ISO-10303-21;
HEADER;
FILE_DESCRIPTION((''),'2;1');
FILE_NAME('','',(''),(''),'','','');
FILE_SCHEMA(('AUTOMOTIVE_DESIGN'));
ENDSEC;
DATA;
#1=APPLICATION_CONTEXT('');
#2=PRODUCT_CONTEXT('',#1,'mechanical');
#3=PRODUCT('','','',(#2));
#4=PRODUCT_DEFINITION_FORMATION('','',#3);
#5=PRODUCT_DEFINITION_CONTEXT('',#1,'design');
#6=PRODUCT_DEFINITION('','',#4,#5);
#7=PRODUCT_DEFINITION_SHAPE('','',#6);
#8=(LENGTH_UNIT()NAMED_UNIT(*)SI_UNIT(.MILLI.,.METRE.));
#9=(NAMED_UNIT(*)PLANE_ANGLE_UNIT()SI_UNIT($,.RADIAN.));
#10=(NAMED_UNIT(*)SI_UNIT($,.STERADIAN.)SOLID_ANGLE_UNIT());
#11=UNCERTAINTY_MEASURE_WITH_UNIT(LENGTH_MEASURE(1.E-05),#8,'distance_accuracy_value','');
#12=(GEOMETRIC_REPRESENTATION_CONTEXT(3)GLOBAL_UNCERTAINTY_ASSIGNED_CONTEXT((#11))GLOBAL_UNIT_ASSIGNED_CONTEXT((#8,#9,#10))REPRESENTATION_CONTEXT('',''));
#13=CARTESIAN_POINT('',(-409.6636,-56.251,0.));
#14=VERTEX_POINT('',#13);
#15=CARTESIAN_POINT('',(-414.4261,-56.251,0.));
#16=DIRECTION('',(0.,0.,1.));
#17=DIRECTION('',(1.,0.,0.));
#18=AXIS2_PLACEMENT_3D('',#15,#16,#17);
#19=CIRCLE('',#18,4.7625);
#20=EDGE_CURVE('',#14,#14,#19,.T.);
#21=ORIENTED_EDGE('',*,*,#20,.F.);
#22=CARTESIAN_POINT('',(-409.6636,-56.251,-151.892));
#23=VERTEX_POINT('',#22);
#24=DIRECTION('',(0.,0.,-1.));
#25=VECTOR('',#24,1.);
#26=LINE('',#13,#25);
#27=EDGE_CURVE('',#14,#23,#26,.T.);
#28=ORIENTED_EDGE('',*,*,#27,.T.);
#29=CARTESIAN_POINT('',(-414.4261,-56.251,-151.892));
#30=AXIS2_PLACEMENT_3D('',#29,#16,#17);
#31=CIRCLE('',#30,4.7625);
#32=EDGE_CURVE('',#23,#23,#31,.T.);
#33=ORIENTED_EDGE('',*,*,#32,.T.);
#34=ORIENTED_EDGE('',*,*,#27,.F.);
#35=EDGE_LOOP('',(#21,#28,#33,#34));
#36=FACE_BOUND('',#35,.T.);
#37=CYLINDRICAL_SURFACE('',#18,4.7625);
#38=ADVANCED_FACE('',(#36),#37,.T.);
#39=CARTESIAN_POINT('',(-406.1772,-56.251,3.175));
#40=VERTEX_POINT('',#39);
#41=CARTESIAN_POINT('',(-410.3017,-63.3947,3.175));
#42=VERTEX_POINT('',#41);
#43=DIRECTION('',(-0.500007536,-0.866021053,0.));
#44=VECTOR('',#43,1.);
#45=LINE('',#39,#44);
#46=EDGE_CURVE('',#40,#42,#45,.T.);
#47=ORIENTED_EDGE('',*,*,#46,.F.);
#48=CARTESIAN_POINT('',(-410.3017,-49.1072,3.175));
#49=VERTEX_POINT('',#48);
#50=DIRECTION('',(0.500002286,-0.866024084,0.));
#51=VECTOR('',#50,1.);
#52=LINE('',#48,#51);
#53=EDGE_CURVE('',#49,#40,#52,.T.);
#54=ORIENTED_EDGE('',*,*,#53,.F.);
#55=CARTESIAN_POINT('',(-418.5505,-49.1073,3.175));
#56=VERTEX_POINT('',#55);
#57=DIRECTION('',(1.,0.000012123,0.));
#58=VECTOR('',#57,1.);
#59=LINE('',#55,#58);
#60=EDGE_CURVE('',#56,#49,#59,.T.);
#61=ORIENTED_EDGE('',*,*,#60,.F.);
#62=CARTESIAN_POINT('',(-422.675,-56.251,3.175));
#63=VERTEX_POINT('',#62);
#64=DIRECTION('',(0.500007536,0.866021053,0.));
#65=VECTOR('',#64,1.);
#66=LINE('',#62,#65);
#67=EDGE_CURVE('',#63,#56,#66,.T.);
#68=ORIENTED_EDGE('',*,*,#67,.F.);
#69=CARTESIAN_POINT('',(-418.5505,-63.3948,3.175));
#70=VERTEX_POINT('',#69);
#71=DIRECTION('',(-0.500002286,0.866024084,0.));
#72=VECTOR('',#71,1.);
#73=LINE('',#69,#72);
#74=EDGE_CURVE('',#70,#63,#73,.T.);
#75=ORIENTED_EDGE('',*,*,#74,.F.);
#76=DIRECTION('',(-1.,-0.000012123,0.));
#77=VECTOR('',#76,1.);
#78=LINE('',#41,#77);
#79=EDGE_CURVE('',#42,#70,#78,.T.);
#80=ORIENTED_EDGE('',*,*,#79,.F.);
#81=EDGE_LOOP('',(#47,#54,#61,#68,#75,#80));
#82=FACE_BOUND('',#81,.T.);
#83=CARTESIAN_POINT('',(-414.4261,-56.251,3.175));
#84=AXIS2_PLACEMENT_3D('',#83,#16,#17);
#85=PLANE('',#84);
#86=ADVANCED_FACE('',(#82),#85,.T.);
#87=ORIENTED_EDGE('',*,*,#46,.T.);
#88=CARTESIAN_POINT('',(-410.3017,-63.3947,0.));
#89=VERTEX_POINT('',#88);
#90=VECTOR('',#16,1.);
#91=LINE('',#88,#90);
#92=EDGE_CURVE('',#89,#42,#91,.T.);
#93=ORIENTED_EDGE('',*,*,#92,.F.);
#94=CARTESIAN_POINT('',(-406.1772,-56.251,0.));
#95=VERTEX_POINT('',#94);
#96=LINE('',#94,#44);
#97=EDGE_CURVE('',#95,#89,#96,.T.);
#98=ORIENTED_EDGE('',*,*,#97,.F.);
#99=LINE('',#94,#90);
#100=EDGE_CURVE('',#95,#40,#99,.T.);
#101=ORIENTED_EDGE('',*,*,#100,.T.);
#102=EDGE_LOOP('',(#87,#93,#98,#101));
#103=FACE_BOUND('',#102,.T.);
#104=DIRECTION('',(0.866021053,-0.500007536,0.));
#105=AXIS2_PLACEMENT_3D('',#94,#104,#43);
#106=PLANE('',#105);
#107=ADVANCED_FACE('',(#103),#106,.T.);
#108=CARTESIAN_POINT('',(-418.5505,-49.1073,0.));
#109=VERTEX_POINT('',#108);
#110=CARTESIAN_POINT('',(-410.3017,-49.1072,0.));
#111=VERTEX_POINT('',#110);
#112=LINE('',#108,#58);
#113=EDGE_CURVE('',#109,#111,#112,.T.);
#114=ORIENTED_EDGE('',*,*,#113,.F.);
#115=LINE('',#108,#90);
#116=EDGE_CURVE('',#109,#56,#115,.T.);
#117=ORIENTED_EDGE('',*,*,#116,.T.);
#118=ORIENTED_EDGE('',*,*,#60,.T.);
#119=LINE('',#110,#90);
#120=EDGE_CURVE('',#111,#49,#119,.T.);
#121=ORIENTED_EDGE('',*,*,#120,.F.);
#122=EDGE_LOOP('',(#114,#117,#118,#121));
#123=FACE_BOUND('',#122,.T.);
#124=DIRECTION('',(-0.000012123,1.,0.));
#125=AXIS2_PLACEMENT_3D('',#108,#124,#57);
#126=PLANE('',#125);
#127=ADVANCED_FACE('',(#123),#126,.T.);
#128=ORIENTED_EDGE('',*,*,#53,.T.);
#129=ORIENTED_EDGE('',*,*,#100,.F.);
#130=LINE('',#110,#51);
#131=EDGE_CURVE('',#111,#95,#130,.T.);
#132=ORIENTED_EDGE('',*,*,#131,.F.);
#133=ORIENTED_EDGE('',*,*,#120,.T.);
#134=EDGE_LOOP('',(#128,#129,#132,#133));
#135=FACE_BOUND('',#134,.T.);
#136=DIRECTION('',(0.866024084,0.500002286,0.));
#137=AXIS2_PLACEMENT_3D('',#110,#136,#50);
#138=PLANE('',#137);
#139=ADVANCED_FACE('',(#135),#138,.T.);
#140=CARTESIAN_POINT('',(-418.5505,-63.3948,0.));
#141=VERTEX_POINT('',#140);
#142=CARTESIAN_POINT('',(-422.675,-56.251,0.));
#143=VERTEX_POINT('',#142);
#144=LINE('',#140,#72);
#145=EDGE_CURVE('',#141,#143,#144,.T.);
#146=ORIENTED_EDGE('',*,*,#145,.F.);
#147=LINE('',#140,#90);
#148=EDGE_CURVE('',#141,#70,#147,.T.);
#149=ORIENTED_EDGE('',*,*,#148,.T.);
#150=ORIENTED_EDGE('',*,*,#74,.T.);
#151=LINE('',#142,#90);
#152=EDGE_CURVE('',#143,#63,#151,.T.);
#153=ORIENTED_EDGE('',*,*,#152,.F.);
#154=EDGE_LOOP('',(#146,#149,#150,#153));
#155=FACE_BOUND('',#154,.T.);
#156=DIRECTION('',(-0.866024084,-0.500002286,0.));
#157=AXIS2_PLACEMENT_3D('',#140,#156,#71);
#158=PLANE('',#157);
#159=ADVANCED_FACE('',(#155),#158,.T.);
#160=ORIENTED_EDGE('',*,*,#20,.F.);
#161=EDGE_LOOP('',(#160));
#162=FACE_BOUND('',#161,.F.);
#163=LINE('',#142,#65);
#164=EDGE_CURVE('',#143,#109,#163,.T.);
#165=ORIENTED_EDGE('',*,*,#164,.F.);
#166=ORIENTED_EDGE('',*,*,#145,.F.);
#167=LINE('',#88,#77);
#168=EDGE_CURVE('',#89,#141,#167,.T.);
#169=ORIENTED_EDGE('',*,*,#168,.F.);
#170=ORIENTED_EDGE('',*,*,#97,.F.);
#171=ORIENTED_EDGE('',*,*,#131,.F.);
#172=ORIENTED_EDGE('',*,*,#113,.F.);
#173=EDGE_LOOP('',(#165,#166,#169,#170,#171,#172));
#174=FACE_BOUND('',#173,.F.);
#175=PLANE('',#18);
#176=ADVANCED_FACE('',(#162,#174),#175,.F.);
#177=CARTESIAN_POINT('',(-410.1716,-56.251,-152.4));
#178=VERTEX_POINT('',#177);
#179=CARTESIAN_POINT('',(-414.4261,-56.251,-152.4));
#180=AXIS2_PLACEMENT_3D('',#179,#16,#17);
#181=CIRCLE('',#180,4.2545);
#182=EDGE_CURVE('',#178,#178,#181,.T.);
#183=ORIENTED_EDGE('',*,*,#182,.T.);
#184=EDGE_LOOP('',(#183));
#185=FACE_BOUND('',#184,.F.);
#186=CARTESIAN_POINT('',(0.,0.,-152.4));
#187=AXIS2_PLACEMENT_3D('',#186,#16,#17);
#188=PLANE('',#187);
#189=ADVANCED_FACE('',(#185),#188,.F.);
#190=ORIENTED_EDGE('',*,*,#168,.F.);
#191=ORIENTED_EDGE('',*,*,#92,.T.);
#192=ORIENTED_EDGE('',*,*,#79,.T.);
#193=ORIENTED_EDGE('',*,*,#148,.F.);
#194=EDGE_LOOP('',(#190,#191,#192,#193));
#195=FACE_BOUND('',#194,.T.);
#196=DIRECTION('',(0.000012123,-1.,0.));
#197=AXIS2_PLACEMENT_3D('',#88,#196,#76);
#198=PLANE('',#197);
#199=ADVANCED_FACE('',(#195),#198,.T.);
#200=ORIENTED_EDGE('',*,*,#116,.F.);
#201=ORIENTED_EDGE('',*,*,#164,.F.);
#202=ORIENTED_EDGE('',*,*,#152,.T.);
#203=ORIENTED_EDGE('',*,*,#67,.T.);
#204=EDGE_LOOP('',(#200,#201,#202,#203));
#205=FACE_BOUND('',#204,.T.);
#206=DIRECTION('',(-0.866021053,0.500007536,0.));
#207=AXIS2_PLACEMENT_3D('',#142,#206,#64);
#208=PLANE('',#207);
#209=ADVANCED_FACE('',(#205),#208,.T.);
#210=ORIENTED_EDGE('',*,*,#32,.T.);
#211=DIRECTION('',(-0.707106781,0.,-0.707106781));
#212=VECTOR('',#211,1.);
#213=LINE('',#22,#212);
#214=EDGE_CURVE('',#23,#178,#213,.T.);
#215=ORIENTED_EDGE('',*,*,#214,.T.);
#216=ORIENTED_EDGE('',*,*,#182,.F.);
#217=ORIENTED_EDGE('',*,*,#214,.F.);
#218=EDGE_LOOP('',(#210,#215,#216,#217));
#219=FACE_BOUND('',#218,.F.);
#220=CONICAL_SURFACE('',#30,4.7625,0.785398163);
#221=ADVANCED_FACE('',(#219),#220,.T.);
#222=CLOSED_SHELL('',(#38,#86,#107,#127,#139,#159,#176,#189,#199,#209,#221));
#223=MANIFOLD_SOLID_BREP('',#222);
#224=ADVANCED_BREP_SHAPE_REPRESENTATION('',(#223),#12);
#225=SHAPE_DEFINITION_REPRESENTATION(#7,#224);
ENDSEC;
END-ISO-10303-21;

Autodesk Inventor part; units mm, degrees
ref_plane "YZ Plane" through (0, 0, 0) normal (1, 0, 0) x (0, 1, 0)
ref_plane "XZ Plane" through (0, 0, 0) normal (0, 1, 0) x (-1, 0, 0)
ref_plane "XY Plane" through (0, 0, 0) normal (0, 0, 1) x (1, 0, 0)
sketch "Sketch1" plane through (0, 0, 0) normal (0, 0, 1) x (1, 0, 0)
  circle A0 centre (-414.4261, -56.251) radius 4.7625
  point P0 (0, 0)
  dimension "d0" = 9.525
extrude "Extrusion1" add sketch "Sketch1" against normal blind 152.4
sketch "Sketch2" plane through (-414.4261, -56.251, 0) normal (0, 0, 1) x (1, 0, 0)
  circle A0 centre (0, 0) radius 4.7625 projected
  line L0 (-8.2489, 0) -> (-4.1244, 7.1437)
  line L1 (-4.1244, 7.1437) -> (4.1244, 7.1438)
  line L2 (4.1244, 7.1438) -> (8.2489, 0)
  line L3 (8.2489, 0) -> (4.1244, -7.1437)
  line L4 (4.1244, -7.1437) -> (-4.1244, -7.1438)
  line L5 (-4.1244, -7.1438) -> (-8.2489, 0)
  point P0 (414.4261, 56.251)
  dimension "d3" = 14.2875
extrude "Extrusion2" add sketch "Sketch2" along normal blind 3.175 contours A0 | L0 L1 L2 L3 L4 L5
thread "Thread1" size "3/8-16 UNC" class "2A" standard "ANSI Unified Screw Threads" length 25.4
chamfer "Chamfer1" distance 0.508 angle 45 1 edges at (-419.1886, -56.251, -152.4)
properties part number "375 bolt x4" material "Steel"
